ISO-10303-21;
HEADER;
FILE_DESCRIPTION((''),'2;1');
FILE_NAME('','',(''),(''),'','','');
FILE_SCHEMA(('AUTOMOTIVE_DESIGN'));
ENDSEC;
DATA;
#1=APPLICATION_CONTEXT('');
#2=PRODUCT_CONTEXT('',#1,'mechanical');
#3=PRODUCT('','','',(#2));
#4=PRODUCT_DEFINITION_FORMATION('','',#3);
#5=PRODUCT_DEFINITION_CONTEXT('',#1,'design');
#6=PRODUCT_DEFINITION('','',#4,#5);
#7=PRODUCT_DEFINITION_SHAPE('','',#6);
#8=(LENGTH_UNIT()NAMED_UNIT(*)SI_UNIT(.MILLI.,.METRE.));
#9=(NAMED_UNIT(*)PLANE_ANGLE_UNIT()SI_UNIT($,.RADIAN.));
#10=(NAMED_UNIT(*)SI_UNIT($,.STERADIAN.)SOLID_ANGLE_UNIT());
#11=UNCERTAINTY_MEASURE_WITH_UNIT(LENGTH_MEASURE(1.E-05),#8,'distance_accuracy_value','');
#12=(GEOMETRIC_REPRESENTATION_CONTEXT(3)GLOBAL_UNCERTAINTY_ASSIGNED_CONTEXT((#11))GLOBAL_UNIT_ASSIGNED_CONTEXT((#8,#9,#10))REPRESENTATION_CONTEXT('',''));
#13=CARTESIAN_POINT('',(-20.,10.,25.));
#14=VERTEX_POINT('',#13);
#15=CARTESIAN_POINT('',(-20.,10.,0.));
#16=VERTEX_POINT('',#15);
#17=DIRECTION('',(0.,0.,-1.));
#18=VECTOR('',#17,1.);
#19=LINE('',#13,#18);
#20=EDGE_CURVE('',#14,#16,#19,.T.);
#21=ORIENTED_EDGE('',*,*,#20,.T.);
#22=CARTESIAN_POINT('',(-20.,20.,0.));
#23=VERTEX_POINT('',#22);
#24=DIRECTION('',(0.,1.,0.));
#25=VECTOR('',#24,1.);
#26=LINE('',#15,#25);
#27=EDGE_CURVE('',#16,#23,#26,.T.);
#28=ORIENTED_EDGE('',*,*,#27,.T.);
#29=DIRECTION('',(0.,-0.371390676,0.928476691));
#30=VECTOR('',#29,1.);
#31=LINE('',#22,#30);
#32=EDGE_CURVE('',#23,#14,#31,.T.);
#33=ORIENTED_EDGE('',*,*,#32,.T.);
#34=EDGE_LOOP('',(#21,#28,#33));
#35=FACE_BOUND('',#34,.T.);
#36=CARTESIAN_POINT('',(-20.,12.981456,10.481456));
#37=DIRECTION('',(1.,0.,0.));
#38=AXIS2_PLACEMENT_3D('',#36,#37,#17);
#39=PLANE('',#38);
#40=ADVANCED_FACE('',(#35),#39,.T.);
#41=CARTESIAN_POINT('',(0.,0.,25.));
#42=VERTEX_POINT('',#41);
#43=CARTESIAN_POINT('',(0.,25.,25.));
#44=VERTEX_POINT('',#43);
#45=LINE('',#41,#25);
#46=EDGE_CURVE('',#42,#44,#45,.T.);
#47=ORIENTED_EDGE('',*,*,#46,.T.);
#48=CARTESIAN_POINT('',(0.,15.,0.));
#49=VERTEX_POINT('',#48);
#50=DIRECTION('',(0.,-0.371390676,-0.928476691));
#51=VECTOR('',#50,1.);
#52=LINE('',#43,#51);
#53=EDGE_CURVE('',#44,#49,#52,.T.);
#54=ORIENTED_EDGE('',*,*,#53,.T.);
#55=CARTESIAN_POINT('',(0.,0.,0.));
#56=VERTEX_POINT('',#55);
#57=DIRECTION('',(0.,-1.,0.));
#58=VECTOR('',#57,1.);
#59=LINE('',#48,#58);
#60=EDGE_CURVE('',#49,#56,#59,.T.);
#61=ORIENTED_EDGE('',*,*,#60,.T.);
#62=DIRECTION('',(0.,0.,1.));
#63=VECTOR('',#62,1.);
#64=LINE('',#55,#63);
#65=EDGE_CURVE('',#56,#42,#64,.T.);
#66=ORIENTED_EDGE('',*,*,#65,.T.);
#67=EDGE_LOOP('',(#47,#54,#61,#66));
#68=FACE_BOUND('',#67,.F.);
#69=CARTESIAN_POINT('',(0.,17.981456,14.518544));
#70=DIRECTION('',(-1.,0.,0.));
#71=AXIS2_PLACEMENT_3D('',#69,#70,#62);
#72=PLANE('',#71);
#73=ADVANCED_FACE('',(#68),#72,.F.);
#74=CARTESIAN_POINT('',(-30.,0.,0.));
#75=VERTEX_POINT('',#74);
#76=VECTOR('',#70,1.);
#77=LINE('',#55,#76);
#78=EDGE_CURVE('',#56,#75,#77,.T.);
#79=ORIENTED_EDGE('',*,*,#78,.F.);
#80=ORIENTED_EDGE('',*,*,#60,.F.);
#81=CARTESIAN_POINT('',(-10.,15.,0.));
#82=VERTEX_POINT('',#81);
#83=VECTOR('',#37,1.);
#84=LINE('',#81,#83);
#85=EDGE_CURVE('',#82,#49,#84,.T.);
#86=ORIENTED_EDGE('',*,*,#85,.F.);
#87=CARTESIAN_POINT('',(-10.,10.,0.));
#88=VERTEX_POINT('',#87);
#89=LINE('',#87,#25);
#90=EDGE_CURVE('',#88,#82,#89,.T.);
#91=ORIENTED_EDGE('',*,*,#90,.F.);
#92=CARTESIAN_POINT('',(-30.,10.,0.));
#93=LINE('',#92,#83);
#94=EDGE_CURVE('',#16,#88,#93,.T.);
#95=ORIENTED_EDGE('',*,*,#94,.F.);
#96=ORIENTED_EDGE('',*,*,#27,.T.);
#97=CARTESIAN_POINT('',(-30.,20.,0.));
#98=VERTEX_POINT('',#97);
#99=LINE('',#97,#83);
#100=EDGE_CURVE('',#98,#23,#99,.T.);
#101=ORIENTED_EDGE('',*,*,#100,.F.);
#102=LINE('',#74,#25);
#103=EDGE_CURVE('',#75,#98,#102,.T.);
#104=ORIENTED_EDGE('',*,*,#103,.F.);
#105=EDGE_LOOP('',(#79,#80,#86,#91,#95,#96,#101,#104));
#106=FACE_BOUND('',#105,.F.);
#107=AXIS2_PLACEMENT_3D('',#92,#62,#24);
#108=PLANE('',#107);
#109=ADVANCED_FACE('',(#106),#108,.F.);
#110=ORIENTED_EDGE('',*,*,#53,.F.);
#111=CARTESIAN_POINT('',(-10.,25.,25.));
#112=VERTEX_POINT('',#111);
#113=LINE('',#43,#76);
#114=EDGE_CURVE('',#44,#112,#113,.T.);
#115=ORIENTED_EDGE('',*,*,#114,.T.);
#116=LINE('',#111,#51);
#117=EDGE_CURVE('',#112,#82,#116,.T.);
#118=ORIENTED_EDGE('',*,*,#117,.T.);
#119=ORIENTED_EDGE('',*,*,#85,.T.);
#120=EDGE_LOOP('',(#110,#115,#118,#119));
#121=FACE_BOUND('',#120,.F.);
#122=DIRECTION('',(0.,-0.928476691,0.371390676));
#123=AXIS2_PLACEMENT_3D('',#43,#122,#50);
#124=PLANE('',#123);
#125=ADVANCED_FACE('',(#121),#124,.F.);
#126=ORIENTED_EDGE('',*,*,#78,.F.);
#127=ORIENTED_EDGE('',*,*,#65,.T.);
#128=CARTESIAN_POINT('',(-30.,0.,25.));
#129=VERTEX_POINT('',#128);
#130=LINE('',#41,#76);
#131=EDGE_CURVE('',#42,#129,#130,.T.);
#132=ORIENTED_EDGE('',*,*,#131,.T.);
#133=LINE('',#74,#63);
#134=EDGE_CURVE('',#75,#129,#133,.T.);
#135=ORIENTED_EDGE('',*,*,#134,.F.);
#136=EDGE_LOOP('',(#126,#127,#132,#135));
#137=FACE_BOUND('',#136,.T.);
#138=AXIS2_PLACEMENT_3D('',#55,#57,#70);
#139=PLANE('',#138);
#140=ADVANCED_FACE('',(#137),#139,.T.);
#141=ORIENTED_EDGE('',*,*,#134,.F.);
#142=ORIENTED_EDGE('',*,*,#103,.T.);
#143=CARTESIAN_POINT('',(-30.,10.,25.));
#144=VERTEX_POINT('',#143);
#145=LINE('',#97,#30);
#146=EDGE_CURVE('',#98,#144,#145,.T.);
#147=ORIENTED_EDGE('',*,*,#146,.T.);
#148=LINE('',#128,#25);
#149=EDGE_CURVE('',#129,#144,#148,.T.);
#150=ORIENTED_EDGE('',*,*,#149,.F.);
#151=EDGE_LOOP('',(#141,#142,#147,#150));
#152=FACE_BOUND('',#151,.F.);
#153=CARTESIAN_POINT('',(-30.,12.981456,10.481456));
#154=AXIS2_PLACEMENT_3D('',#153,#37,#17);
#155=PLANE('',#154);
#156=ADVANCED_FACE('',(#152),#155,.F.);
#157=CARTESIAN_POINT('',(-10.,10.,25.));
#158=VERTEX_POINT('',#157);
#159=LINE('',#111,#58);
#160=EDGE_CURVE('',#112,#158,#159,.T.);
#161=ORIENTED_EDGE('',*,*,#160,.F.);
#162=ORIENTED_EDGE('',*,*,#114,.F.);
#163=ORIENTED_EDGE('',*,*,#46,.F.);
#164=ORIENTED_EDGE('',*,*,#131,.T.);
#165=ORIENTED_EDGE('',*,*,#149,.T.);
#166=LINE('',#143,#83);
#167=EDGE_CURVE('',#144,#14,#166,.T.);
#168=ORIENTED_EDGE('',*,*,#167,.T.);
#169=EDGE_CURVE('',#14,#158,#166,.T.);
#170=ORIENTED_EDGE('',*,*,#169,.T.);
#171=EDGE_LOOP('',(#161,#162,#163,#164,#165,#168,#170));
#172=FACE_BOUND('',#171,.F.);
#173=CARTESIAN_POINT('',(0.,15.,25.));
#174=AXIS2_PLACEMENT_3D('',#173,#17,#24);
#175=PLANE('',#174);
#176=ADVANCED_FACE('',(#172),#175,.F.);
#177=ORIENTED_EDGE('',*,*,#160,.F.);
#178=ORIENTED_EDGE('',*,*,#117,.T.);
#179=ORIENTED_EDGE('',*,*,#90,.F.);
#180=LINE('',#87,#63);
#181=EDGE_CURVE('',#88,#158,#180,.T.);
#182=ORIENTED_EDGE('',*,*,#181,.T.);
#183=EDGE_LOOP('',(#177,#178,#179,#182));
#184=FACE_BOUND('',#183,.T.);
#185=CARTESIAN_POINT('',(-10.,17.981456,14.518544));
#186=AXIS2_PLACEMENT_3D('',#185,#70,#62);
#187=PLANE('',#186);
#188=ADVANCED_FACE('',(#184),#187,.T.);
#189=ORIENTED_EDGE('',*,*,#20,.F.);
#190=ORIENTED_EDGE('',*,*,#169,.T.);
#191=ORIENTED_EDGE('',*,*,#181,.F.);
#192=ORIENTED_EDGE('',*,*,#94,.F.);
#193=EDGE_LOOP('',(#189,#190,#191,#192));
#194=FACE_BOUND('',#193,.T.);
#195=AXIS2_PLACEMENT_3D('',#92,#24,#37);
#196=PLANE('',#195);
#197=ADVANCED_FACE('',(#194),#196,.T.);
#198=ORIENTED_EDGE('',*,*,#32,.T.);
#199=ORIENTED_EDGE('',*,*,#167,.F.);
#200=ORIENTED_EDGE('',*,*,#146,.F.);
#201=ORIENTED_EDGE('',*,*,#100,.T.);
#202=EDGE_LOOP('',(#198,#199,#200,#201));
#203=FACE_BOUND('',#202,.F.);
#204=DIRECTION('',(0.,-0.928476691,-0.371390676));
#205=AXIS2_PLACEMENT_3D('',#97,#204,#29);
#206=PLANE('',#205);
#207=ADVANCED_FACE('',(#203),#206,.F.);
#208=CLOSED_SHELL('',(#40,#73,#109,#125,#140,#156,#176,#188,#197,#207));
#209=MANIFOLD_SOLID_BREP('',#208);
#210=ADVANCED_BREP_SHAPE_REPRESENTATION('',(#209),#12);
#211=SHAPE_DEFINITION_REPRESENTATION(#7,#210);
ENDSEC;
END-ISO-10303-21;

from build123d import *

# Parameters (mm, degrees)
BOSS_EXTRUDE1_DEPTH = 25
BOSS_EXTRUDE2_DEPTH = 10
BOSS_EXTRUDE3_DEPTH = 10


with BuildPart() as part:
    # Sketch1 → Boss-Extrude1 (new body)
    with BuildSketch(Plane.XY):
        Polygon((-30, 10), (-10, 10), (-10, 15), (0, 15), (0, 0), (-30, 0), align=None)
    extrude(amount=BOSS_EXTRUDE1_DEPTH)

    # Sketch2 → Boss-Extrude2 (add)
    with BuildSketch(Plane.ZY.offset(30)):
        Polygon((0, 10), (0, 20), (25, 10), align=None)
    extrude(amount=-BOSS_EXTRUDE2_DEPTH)

    # Sketch3 → Boss-Extrude3 (add)
    with BuildSketch(Plane(origin=(0, 0, 0), x_dir=(0, 0, -1), z_dir=(1, 0, 0))):
        Polygon((-25, 15), (-25, 25), (0, 15), align=None)
    extrude(amount=-BOSS_EXTRUDE3_DEPTH)


solid = part.part
